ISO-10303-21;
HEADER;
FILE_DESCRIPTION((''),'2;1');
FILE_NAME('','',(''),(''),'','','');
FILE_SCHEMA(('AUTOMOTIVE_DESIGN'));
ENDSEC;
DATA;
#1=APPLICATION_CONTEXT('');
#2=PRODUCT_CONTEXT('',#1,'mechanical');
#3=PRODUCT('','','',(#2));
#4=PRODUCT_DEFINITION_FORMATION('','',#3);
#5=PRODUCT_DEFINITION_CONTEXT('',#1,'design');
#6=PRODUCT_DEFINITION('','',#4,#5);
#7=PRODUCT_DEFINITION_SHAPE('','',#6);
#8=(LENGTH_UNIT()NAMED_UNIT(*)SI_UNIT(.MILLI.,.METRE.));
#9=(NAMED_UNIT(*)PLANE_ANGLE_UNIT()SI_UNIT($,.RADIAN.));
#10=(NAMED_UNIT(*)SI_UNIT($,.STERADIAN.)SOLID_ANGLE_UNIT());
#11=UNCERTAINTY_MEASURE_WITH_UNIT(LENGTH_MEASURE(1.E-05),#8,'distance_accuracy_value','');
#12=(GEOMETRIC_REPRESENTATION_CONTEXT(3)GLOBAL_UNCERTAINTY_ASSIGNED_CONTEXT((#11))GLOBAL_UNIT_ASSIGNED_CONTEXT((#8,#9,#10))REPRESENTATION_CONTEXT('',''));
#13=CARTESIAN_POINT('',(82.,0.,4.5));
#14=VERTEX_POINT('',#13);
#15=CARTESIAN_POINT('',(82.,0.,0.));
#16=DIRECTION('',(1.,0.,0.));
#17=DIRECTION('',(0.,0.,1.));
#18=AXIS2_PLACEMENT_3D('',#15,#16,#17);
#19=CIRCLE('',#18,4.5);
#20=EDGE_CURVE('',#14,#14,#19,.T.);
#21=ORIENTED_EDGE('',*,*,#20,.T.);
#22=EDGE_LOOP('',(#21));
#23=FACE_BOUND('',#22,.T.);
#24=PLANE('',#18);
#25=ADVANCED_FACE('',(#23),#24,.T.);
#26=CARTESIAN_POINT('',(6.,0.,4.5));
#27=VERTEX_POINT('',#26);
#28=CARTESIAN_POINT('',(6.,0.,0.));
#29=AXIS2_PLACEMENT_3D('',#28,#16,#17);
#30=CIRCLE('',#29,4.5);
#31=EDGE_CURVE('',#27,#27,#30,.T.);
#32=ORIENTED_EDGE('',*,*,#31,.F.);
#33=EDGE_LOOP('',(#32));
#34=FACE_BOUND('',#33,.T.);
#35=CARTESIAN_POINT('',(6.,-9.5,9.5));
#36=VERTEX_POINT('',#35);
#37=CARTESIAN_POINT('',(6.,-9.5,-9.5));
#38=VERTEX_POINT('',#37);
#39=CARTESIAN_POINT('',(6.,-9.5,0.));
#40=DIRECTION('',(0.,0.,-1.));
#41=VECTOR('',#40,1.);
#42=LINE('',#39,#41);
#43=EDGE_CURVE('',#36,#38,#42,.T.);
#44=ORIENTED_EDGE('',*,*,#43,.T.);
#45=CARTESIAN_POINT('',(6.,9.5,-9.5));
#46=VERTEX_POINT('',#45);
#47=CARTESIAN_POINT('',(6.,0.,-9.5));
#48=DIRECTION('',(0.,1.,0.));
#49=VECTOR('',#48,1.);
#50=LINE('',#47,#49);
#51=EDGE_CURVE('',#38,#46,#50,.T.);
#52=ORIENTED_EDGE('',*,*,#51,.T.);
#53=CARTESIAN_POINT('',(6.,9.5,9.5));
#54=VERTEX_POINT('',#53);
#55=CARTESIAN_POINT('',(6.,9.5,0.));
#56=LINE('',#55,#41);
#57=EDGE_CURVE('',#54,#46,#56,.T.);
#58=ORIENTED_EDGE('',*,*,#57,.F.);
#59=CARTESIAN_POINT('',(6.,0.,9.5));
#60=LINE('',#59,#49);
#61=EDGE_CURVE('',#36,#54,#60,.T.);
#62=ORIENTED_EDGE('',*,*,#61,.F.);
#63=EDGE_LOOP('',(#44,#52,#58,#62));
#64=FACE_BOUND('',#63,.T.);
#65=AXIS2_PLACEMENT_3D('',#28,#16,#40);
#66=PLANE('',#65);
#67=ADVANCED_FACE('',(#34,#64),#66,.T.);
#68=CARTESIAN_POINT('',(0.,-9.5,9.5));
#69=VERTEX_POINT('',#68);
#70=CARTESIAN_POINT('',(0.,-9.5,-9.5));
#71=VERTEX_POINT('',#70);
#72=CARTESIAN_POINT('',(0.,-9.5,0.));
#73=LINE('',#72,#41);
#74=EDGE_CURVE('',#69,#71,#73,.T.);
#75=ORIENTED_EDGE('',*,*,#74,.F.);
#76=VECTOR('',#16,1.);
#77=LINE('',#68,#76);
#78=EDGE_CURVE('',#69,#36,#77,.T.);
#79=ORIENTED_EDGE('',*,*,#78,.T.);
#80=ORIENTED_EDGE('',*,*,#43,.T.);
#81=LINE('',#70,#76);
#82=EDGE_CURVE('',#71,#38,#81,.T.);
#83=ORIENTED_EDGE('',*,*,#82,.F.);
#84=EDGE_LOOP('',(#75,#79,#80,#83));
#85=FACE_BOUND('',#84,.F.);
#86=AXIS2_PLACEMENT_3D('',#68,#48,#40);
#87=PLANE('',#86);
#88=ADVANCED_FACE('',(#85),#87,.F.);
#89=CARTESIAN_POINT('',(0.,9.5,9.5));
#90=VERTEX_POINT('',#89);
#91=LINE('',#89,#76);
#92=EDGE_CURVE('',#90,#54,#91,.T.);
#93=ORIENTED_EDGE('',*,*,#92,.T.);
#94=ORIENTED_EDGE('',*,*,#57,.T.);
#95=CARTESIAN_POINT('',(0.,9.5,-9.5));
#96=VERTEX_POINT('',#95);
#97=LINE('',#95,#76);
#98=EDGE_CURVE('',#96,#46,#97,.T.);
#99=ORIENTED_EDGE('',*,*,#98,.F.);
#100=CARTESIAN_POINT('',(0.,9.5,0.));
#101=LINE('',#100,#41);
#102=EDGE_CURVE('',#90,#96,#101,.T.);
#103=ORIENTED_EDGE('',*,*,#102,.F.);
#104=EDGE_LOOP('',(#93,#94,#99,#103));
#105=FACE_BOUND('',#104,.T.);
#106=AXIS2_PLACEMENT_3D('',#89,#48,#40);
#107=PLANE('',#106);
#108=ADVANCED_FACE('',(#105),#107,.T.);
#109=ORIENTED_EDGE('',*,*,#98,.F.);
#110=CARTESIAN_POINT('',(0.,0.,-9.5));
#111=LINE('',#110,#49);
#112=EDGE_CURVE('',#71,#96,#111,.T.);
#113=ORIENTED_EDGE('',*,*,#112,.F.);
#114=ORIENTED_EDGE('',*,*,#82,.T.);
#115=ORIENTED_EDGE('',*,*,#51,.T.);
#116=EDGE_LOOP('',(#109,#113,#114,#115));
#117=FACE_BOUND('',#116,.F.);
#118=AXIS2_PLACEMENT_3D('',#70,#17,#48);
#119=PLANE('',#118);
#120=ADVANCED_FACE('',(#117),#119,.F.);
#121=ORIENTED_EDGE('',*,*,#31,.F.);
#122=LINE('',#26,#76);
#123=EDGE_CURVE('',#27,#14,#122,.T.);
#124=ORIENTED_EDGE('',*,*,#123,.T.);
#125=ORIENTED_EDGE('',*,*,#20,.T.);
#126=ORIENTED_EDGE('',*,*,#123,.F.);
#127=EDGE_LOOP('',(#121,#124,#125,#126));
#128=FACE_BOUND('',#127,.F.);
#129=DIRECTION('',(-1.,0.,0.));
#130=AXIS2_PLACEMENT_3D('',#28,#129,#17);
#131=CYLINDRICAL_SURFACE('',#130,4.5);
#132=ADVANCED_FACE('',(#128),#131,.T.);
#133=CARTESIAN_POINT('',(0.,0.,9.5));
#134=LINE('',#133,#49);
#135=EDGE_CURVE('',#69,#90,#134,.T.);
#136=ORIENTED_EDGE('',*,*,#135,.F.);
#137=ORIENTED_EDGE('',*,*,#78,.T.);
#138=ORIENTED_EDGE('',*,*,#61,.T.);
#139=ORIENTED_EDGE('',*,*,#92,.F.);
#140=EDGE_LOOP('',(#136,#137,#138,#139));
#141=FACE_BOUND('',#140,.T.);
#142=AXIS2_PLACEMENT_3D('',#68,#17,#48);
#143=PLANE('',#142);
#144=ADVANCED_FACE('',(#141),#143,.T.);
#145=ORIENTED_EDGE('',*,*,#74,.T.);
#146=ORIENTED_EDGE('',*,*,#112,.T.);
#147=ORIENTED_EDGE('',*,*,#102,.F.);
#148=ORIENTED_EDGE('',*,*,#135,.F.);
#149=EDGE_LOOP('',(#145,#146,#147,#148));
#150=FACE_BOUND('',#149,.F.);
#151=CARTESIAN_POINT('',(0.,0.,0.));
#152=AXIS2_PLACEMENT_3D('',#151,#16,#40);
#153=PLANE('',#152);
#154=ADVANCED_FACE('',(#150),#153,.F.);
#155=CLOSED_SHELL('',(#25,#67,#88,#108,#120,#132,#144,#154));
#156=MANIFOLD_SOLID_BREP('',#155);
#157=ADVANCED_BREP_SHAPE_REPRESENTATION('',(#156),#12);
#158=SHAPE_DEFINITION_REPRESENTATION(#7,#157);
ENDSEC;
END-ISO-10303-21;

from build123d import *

# Parameters (mm, degrees)
SKETCH1_W           = 19
SKETCH1_H           = 19
BOSS_EXTRUDE1_DEPTH = 6
SKETCH2_R           = 4.5
BOSS_EXTRUDE2_DEPTH = 76


with BuildPart() as part:
    # Sketch1 → Boss-Extrude1 (new body)
    with BuildSketch(Plane(origin=(0, 0, 0), x_dir=(0, 0, -1), z_dir=(1, 0, 0))):
        Rectangle(SKETCH1_W, SKETCH1_H)
    extrude(amount=BOSS_EXTRUDE1_DEPTH)

    # Sketch2 → Boss-Extrude2 (add)
    with BuildSketch(Plane(origin=(6, 0, 0), x_dir=(0, 0, -1), z_dir=(1, 0, 0))):
        with Locations(Location((0, 0, 0), (0, 0, 180))):  # turned: the seam where the file's is
            Circle(SKETCH2_R)
    extrude(amount=BOSS_EXTRUDE2_DEPTH)


solid = part.part
